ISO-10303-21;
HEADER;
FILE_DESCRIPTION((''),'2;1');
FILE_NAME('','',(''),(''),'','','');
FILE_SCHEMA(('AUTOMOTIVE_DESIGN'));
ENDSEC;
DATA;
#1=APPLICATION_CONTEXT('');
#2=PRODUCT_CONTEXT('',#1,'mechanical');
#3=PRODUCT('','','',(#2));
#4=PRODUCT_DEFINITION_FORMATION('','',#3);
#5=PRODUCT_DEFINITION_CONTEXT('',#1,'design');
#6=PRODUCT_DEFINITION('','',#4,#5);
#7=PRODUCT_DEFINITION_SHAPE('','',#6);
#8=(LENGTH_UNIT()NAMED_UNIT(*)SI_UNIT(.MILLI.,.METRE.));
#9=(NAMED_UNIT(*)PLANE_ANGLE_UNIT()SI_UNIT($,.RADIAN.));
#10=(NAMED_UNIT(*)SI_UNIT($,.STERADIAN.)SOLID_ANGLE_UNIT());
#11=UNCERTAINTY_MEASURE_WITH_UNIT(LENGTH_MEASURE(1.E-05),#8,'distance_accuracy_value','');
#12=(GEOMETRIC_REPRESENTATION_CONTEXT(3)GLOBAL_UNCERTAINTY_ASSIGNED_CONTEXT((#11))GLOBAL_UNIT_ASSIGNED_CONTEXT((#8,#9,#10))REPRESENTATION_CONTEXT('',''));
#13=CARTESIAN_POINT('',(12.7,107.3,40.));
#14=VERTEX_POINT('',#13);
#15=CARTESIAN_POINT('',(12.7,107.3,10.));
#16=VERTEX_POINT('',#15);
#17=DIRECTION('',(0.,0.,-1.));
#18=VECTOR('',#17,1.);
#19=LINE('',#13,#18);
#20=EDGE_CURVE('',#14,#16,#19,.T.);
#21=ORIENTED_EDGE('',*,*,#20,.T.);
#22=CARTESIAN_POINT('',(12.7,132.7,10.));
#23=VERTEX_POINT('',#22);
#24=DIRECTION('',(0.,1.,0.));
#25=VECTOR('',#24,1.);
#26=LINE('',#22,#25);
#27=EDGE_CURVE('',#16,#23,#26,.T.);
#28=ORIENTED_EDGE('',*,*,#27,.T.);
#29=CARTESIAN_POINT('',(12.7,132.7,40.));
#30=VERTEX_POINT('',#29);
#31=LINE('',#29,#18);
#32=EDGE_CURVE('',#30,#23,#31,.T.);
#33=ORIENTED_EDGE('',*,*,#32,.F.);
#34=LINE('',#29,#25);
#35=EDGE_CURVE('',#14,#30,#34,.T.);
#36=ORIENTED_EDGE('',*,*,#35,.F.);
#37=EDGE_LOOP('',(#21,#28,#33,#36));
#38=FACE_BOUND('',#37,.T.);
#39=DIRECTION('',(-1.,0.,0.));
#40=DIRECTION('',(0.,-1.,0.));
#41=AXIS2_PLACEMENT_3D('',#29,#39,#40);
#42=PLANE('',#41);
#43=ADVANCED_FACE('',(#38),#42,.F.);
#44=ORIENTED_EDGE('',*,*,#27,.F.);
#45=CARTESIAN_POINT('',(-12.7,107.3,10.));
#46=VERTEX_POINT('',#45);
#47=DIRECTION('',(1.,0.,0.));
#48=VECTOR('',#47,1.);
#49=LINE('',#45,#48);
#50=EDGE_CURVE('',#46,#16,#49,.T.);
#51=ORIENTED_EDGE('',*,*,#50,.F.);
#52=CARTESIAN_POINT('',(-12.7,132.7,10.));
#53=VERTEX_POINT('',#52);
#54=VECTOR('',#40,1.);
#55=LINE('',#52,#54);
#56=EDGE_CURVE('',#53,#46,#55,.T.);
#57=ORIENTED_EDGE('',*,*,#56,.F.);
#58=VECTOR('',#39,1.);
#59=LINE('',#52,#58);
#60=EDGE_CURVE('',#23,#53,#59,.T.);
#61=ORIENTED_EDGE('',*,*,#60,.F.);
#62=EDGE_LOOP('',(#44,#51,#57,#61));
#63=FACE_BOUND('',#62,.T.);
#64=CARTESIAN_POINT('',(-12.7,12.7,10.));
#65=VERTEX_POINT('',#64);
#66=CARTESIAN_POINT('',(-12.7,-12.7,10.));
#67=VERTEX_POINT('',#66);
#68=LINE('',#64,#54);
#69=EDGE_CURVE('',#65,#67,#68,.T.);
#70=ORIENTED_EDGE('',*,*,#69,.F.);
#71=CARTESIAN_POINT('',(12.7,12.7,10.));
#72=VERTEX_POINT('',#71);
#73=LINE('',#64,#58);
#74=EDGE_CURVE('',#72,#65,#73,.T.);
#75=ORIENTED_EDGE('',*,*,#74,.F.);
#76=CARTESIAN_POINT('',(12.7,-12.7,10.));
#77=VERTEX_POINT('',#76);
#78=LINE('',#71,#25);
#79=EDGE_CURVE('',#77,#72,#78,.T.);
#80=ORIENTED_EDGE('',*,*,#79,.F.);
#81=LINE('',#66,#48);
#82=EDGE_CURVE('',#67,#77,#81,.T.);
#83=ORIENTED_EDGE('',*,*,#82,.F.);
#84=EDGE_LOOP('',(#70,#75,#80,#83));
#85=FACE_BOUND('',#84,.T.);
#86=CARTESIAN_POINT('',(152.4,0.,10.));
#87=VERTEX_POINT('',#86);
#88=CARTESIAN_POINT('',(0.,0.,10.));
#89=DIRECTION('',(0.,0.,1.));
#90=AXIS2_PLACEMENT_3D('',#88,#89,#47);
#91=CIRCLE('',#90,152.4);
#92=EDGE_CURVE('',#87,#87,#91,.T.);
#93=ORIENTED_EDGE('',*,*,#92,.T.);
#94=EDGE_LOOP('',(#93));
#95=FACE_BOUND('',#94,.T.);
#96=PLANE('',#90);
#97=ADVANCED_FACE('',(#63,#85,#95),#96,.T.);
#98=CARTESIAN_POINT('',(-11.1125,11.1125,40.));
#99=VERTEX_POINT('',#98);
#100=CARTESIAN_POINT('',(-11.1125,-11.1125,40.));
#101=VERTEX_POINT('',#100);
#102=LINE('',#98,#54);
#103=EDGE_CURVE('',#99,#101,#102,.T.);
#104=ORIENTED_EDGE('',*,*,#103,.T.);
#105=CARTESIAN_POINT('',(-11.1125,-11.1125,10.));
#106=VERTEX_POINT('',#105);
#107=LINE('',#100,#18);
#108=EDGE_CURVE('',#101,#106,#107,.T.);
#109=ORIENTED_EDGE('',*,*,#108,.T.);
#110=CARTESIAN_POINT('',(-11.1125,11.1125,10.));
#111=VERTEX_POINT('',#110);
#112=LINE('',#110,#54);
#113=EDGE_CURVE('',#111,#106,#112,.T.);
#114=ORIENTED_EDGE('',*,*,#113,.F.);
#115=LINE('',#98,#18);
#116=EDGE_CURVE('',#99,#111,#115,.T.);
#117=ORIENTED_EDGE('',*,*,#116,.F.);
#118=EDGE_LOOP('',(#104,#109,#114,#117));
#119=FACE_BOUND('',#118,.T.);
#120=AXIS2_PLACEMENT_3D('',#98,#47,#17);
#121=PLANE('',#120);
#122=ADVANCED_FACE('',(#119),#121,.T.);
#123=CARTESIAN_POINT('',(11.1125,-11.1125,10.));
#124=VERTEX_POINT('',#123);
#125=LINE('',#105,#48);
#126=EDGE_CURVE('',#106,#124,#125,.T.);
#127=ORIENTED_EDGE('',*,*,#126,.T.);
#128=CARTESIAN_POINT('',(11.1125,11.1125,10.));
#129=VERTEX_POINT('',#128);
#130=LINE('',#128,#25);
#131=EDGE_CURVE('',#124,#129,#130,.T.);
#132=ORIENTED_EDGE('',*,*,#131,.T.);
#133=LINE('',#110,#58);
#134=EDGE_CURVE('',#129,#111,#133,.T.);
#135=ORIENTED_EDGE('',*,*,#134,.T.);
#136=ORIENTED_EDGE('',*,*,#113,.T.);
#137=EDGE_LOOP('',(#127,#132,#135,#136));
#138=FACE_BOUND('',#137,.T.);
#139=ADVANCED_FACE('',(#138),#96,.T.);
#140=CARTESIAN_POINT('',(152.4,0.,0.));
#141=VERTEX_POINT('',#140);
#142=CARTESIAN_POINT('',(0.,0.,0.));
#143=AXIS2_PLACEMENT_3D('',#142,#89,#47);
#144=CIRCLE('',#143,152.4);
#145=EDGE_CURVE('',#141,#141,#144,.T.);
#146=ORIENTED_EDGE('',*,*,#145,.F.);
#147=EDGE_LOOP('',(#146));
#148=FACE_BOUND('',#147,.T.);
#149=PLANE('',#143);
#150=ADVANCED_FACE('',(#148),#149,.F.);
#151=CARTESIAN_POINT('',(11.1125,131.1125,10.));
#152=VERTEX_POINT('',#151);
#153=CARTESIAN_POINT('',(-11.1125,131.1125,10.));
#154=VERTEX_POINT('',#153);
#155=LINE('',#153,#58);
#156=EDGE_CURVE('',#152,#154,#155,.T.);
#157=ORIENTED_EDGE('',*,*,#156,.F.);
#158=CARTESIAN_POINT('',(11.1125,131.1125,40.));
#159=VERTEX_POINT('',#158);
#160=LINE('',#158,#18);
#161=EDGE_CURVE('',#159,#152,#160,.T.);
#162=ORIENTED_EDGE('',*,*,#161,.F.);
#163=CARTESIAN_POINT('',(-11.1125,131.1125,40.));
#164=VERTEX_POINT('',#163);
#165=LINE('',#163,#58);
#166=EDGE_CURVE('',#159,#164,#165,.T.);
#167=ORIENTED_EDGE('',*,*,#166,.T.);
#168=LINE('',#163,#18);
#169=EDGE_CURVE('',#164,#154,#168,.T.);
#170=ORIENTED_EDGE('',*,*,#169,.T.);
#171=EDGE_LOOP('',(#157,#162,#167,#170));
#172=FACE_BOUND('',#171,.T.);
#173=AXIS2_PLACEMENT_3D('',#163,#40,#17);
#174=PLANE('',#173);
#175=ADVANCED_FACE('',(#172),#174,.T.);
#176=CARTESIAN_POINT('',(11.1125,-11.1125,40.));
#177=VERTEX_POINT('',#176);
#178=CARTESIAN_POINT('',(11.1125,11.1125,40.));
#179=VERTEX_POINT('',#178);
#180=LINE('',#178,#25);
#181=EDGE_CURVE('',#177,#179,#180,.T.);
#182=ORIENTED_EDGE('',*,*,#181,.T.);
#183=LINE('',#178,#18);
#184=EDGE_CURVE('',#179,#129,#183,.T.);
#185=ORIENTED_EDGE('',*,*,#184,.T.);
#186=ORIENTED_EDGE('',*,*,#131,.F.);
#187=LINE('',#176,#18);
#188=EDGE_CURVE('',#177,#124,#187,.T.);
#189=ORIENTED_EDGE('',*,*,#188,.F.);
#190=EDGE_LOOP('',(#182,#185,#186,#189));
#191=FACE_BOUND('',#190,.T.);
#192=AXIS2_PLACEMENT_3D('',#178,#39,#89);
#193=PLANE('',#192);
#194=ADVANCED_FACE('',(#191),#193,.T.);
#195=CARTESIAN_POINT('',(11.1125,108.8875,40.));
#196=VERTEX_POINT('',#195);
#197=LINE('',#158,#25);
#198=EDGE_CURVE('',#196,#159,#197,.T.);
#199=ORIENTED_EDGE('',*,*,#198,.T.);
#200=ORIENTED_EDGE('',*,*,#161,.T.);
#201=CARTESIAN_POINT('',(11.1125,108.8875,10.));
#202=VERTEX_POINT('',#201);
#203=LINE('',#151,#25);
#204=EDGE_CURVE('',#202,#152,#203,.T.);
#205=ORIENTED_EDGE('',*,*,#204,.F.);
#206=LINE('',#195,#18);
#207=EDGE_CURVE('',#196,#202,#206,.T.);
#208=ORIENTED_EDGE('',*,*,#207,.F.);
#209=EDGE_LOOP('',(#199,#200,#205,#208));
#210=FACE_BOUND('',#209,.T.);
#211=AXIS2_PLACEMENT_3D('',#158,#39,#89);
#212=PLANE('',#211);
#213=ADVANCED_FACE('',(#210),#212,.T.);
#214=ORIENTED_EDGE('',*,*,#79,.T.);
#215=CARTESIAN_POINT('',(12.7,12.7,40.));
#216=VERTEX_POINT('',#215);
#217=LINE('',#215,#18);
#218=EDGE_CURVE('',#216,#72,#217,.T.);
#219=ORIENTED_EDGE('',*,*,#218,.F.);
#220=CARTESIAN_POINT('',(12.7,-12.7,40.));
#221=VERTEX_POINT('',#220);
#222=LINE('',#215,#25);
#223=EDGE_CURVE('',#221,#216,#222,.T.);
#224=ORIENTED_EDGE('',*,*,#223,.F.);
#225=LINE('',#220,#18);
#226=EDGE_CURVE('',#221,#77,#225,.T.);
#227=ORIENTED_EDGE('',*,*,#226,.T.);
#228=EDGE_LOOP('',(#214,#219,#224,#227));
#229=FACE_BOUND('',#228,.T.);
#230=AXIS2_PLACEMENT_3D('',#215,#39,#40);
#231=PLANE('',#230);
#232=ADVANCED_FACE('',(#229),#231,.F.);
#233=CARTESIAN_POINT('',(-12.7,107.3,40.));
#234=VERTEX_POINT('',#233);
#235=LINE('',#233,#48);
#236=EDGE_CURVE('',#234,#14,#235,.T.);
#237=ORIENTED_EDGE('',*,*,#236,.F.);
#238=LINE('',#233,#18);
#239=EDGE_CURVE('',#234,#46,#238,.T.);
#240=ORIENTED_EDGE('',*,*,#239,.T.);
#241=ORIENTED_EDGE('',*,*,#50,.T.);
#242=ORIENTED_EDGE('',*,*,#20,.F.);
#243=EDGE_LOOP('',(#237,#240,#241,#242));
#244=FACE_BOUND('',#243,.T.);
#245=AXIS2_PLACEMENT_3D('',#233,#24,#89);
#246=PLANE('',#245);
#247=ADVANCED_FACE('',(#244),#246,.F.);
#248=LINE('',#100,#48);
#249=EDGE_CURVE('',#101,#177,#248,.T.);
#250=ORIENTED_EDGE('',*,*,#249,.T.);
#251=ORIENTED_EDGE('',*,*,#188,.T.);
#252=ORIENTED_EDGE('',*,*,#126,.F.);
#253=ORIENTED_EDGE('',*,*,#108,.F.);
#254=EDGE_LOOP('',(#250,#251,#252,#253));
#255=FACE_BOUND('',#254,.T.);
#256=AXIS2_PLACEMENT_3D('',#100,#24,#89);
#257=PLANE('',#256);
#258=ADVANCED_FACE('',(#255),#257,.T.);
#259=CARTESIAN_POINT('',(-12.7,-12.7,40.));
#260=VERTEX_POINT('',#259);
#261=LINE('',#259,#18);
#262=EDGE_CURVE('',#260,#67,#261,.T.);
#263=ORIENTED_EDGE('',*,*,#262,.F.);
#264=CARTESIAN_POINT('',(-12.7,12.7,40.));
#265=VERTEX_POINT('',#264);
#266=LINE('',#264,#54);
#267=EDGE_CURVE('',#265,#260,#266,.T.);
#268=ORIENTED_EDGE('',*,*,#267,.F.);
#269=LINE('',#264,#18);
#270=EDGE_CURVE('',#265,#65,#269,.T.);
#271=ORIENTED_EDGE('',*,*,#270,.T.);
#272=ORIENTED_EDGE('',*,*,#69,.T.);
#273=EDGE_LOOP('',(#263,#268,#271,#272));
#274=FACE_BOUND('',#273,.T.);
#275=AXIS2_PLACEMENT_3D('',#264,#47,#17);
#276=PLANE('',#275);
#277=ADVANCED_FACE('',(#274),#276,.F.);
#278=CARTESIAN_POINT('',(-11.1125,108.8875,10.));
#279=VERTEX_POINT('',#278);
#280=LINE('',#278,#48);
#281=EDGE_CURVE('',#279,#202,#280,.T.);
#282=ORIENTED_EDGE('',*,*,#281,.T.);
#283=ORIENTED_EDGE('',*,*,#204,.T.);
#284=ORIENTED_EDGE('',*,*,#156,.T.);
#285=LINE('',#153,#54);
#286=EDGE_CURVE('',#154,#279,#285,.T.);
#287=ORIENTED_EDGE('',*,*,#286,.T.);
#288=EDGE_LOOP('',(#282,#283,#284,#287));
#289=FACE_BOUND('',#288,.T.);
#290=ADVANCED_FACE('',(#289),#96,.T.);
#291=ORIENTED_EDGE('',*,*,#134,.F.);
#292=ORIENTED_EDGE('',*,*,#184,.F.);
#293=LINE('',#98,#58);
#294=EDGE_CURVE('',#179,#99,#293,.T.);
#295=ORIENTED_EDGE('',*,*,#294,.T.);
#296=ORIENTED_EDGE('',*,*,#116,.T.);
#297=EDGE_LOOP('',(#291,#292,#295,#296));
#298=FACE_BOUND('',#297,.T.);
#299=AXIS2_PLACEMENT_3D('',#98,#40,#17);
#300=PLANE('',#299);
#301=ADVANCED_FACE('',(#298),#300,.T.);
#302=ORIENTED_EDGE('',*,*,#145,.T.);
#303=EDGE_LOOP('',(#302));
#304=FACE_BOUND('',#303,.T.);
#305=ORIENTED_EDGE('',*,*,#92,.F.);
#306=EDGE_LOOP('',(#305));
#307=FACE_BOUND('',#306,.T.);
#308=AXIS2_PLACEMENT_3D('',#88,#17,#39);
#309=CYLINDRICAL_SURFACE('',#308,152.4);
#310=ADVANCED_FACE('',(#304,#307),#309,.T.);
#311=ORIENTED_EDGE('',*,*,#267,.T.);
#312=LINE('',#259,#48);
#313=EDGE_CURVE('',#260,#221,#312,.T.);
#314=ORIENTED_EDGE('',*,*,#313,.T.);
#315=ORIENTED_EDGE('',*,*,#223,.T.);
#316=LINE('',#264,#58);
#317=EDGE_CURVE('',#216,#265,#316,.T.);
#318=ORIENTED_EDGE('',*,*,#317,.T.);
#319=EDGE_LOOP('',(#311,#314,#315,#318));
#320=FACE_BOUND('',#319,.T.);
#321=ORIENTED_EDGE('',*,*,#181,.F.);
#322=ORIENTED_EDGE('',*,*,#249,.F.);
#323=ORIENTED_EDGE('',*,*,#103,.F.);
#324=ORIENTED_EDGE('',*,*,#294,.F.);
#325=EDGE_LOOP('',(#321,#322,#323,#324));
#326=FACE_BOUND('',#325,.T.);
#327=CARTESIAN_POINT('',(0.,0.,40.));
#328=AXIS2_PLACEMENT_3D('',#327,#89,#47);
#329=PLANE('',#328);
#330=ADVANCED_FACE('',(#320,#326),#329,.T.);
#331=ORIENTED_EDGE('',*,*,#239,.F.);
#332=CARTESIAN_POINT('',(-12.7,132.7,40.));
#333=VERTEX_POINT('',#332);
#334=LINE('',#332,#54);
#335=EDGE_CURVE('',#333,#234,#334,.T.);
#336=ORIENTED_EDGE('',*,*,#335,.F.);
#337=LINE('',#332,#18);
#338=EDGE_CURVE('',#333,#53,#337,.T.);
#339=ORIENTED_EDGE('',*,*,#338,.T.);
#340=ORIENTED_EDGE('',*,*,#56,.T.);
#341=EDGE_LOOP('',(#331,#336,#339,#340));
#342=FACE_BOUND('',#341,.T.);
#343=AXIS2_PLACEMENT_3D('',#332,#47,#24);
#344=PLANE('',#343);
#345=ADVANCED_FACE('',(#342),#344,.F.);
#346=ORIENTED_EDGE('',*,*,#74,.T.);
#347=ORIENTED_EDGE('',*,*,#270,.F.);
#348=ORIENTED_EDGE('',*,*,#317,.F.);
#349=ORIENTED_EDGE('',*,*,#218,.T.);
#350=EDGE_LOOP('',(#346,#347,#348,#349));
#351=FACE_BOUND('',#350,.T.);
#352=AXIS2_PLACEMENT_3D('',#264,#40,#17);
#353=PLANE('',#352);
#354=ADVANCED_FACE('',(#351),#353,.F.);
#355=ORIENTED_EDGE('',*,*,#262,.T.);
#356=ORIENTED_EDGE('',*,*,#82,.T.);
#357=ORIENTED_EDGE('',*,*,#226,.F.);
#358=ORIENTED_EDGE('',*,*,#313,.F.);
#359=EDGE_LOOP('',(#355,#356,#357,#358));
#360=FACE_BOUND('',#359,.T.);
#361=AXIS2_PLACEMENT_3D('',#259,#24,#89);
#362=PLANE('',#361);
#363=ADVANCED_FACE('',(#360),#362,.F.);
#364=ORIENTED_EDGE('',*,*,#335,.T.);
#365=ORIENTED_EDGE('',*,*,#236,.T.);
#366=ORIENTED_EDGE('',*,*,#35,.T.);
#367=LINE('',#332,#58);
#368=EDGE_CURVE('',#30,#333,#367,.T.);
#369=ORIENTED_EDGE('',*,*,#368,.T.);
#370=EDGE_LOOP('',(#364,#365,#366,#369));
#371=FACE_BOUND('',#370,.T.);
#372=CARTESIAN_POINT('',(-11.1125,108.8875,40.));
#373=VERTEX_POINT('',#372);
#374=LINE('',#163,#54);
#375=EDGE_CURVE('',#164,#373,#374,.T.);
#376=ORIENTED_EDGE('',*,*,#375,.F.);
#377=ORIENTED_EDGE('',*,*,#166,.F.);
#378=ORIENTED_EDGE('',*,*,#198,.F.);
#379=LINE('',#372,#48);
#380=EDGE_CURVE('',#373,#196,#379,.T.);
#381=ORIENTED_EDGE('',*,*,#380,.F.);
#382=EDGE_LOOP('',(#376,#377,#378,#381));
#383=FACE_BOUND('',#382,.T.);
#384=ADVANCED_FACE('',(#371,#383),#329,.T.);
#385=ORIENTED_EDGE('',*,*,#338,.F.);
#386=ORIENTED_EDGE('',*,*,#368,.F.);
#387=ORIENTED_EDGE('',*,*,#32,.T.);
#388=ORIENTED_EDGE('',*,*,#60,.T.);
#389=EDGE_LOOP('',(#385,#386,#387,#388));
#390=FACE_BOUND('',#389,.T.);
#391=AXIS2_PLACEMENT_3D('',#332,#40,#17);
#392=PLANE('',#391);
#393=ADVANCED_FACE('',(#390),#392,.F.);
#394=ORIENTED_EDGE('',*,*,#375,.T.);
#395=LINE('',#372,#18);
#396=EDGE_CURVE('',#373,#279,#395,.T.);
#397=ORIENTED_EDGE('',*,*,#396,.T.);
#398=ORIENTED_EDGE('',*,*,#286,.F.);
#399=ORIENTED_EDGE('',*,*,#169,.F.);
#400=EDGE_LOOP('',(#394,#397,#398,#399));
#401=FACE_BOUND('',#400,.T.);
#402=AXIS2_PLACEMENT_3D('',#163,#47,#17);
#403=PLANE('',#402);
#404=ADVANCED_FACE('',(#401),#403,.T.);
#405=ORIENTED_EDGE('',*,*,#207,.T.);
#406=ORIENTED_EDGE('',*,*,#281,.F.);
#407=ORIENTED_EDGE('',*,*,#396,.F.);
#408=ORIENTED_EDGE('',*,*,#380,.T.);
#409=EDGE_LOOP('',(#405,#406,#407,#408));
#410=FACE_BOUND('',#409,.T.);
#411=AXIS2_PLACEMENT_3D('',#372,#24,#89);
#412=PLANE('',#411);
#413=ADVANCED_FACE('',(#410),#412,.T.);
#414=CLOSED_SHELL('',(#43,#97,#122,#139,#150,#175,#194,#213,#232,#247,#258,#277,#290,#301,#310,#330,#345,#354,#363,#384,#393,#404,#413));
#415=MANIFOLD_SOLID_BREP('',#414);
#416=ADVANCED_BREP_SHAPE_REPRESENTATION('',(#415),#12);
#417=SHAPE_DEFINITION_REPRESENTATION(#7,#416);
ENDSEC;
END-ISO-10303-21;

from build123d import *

# Parameters (mm, degrees)
SKETCH1_R           = 152.4
BOSS_EXTRUDE1_DEPTH = 10
SKETCH2_W           = 25.4
SKETCH2_H           = 25.4
SKETCH2_W_2         = 22.225
SKETCH2_H_2         = 22.225
BOSS_EXTRUDE2_DEPTH = 30


with BuildPart() as part:
    # Sketch1 → Boss-Extrude1 (new body)
    with BuildSketch(Plane.XY):
        Circle(SKETCH1_R)
    extrude(amount=BOSS_EXTRUDE1_DEPTH)

    # Sketch2 → Boss-Extrude2 (add)
    # profile 1 of 2: a face of its own
    with BuildSketch(Plane.XY.offset(10)):
        Rectangle(SKETCH2_W, SKETCH2_H)
        Rectangle(SKETCH2_W_2, SKETCH2_H_2, mode=Mode.SUBTRACT)
    # profile 2 of 2: a face of its own
    with BuildSketch(Plane.XY.offset(10)):
        with Locations((0, 120)):
            Rectangle(SKETCH2_W, SKETCH2_H)
        with Locations((0, 120)):
            Rectangle(SKETCH2_W_2, SKETCH2_H_2, mode=Mode.SUBTRACT)
    extrude(amount=BOSS_EXTRUDE2_DEPTH)


solid = part.part
